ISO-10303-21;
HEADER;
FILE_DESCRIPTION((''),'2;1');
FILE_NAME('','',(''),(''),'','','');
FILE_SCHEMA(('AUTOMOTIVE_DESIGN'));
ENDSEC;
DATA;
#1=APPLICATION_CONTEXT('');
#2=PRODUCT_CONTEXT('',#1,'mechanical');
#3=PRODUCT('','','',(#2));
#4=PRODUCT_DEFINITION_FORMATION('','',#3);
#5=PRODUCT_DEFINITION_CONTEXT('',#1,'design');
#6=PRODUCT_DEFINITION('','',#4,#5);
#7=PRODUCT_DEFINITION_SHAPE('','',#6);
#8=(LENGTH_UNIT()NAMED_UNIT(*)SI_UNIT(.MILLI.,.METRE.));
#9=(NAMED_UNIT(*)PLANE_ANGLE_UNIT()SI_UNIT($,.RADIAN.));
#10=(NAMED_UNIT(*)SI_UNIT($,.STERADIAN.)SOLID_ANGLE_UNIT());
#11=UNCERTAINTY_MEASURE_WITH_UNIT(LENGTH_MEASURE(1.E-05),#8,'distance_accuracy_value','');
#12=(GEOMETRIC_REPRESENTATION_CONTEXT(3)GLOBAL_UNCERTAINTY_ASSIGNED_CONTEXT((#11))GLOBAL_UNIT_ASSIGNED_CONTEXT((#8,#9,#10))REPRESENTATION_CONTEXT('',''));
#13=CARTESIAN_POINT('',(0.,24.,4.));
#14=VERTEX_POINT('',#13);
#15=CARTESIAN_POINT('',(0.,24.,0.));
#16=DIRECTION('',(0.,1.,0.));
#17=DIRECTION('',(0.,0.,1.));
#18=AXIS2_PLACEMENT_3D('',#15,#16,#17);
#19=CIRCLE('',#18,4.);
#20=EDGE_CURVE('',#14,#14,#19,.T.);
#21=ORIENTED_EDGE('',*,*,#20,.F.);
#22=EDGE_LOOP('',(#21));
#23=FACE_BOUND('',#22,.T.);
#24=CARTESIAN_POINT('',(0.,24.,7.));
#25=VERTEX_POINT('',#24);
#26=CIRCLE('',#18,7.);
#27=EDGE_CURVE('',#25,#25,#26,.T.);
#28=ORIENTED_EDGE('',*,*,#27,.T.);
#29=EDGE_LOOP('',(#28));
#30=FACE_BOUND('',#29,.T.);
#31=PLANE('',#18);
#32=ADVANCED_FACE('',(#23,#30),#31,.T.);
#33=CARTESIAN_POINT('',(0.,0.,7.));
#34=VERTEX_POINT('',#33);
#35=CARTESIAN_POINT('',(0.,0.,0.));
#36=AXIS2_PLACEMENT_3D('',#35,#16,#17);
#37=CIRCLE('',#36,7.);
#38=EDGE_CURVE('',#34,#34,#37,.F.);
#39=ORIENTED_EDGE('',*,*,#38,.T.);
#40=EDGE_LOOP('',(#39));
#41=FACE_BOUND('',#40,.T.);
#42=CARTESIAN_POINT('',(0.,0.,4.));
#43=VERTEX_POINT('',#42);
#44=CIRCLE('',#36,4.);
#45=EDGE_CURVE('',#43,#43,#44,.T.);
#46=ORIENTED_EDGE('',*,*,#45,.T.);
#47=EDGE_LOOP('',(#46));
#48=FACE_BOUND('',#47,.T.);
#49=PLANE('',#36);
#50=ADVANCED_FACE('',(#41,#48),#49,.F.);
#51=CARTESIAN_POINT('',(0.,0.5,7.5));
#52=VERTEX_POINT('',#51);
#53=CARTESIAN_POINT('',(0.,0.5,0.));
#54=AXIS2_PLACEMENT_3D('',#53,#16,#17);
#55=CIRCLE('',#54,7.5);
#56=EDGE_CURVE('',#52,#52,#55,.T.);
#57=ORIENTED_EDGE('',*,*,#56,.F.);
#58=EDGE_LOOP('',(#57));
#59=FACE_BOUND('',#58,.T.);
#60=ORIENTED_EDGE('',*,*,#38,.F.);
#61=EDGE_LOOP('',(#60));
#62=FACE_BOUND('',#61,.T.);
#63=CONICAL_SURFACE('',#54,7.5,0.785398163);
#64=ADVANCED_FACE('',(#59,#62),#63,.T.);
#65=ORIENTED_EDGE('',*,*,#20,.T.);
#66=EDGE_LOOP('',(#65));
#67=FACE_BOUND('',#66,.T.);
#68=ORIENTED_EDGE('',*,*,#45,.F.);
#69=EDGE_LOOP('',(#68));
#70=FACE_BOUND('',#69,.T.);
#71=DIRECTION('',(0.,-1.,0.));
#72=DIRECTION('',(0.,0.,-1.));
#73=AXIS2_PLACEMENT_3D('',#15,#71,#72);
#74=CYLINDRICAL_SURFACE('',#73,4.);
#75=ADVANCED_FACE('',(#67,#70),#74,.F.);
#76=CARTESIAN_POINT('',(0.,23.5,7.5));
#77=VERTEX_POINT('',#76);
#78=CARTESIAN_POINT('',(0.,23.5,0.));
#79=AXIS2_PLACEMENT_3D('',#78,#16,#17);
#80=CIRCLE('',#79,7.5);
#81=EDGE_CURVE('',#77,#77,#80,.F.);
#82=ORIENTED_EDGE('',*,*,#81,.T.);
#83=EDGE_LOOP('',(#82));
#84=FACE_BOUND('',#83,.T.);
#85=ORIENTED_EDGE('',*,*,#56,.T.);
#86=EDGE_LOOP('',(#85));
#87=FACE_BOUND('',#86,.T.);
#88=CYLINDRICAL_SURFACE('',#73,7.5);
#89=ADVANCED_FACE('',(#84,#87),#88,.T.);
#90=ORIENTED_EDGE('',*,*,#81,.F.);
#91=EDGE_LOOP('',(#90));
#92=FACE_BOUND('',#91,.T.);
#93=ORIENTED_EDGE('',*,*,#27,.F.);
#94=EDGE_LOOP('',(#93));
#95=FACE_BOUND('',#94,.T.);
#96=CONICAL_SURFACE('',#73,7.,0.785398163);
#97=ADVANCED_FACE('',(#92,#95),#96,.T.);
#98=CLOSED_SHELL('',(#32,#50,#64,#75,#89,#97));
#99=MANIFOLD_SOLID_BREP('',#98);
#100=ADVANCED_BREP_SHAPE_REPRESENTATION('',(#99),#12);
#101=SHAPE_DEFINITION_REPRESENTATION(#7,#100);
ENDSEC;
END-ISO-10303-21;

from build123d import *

# Parameters (mm, degrees)
SKETCH1_R           = 7.5
SKETCH1_R_2         = 4
BOSS_EXTRUDE1_DEPTH = 24
CHAMFER1_SIZE       = 0.5


with BuildPart() as part:
    # Sketch1 → Boss-Extrude1 (new body)
    with BuildSketch(Plane(origin=(0, 0, 0), x_dir=(1, 0, 0), z_dir=(0, 1, 0))):
        Circle(SKETCH1_R)
        Circle(SKETCH1_R_2, mode=Mode.SUBTRACT)
    extrude(amount=BOSS_EXTRUDE1_DEPTH)

    # Chamfer1
    chamfer1_edges = [part.edges().sort_by_distance(p)[0] for p in [
        (-7.5, 0, 0),
        (-7.5, 24, 0),
    ]]
    chamfer(chamfer1_edges, length=CHAMFER1_SIZE)


solid = part.part
